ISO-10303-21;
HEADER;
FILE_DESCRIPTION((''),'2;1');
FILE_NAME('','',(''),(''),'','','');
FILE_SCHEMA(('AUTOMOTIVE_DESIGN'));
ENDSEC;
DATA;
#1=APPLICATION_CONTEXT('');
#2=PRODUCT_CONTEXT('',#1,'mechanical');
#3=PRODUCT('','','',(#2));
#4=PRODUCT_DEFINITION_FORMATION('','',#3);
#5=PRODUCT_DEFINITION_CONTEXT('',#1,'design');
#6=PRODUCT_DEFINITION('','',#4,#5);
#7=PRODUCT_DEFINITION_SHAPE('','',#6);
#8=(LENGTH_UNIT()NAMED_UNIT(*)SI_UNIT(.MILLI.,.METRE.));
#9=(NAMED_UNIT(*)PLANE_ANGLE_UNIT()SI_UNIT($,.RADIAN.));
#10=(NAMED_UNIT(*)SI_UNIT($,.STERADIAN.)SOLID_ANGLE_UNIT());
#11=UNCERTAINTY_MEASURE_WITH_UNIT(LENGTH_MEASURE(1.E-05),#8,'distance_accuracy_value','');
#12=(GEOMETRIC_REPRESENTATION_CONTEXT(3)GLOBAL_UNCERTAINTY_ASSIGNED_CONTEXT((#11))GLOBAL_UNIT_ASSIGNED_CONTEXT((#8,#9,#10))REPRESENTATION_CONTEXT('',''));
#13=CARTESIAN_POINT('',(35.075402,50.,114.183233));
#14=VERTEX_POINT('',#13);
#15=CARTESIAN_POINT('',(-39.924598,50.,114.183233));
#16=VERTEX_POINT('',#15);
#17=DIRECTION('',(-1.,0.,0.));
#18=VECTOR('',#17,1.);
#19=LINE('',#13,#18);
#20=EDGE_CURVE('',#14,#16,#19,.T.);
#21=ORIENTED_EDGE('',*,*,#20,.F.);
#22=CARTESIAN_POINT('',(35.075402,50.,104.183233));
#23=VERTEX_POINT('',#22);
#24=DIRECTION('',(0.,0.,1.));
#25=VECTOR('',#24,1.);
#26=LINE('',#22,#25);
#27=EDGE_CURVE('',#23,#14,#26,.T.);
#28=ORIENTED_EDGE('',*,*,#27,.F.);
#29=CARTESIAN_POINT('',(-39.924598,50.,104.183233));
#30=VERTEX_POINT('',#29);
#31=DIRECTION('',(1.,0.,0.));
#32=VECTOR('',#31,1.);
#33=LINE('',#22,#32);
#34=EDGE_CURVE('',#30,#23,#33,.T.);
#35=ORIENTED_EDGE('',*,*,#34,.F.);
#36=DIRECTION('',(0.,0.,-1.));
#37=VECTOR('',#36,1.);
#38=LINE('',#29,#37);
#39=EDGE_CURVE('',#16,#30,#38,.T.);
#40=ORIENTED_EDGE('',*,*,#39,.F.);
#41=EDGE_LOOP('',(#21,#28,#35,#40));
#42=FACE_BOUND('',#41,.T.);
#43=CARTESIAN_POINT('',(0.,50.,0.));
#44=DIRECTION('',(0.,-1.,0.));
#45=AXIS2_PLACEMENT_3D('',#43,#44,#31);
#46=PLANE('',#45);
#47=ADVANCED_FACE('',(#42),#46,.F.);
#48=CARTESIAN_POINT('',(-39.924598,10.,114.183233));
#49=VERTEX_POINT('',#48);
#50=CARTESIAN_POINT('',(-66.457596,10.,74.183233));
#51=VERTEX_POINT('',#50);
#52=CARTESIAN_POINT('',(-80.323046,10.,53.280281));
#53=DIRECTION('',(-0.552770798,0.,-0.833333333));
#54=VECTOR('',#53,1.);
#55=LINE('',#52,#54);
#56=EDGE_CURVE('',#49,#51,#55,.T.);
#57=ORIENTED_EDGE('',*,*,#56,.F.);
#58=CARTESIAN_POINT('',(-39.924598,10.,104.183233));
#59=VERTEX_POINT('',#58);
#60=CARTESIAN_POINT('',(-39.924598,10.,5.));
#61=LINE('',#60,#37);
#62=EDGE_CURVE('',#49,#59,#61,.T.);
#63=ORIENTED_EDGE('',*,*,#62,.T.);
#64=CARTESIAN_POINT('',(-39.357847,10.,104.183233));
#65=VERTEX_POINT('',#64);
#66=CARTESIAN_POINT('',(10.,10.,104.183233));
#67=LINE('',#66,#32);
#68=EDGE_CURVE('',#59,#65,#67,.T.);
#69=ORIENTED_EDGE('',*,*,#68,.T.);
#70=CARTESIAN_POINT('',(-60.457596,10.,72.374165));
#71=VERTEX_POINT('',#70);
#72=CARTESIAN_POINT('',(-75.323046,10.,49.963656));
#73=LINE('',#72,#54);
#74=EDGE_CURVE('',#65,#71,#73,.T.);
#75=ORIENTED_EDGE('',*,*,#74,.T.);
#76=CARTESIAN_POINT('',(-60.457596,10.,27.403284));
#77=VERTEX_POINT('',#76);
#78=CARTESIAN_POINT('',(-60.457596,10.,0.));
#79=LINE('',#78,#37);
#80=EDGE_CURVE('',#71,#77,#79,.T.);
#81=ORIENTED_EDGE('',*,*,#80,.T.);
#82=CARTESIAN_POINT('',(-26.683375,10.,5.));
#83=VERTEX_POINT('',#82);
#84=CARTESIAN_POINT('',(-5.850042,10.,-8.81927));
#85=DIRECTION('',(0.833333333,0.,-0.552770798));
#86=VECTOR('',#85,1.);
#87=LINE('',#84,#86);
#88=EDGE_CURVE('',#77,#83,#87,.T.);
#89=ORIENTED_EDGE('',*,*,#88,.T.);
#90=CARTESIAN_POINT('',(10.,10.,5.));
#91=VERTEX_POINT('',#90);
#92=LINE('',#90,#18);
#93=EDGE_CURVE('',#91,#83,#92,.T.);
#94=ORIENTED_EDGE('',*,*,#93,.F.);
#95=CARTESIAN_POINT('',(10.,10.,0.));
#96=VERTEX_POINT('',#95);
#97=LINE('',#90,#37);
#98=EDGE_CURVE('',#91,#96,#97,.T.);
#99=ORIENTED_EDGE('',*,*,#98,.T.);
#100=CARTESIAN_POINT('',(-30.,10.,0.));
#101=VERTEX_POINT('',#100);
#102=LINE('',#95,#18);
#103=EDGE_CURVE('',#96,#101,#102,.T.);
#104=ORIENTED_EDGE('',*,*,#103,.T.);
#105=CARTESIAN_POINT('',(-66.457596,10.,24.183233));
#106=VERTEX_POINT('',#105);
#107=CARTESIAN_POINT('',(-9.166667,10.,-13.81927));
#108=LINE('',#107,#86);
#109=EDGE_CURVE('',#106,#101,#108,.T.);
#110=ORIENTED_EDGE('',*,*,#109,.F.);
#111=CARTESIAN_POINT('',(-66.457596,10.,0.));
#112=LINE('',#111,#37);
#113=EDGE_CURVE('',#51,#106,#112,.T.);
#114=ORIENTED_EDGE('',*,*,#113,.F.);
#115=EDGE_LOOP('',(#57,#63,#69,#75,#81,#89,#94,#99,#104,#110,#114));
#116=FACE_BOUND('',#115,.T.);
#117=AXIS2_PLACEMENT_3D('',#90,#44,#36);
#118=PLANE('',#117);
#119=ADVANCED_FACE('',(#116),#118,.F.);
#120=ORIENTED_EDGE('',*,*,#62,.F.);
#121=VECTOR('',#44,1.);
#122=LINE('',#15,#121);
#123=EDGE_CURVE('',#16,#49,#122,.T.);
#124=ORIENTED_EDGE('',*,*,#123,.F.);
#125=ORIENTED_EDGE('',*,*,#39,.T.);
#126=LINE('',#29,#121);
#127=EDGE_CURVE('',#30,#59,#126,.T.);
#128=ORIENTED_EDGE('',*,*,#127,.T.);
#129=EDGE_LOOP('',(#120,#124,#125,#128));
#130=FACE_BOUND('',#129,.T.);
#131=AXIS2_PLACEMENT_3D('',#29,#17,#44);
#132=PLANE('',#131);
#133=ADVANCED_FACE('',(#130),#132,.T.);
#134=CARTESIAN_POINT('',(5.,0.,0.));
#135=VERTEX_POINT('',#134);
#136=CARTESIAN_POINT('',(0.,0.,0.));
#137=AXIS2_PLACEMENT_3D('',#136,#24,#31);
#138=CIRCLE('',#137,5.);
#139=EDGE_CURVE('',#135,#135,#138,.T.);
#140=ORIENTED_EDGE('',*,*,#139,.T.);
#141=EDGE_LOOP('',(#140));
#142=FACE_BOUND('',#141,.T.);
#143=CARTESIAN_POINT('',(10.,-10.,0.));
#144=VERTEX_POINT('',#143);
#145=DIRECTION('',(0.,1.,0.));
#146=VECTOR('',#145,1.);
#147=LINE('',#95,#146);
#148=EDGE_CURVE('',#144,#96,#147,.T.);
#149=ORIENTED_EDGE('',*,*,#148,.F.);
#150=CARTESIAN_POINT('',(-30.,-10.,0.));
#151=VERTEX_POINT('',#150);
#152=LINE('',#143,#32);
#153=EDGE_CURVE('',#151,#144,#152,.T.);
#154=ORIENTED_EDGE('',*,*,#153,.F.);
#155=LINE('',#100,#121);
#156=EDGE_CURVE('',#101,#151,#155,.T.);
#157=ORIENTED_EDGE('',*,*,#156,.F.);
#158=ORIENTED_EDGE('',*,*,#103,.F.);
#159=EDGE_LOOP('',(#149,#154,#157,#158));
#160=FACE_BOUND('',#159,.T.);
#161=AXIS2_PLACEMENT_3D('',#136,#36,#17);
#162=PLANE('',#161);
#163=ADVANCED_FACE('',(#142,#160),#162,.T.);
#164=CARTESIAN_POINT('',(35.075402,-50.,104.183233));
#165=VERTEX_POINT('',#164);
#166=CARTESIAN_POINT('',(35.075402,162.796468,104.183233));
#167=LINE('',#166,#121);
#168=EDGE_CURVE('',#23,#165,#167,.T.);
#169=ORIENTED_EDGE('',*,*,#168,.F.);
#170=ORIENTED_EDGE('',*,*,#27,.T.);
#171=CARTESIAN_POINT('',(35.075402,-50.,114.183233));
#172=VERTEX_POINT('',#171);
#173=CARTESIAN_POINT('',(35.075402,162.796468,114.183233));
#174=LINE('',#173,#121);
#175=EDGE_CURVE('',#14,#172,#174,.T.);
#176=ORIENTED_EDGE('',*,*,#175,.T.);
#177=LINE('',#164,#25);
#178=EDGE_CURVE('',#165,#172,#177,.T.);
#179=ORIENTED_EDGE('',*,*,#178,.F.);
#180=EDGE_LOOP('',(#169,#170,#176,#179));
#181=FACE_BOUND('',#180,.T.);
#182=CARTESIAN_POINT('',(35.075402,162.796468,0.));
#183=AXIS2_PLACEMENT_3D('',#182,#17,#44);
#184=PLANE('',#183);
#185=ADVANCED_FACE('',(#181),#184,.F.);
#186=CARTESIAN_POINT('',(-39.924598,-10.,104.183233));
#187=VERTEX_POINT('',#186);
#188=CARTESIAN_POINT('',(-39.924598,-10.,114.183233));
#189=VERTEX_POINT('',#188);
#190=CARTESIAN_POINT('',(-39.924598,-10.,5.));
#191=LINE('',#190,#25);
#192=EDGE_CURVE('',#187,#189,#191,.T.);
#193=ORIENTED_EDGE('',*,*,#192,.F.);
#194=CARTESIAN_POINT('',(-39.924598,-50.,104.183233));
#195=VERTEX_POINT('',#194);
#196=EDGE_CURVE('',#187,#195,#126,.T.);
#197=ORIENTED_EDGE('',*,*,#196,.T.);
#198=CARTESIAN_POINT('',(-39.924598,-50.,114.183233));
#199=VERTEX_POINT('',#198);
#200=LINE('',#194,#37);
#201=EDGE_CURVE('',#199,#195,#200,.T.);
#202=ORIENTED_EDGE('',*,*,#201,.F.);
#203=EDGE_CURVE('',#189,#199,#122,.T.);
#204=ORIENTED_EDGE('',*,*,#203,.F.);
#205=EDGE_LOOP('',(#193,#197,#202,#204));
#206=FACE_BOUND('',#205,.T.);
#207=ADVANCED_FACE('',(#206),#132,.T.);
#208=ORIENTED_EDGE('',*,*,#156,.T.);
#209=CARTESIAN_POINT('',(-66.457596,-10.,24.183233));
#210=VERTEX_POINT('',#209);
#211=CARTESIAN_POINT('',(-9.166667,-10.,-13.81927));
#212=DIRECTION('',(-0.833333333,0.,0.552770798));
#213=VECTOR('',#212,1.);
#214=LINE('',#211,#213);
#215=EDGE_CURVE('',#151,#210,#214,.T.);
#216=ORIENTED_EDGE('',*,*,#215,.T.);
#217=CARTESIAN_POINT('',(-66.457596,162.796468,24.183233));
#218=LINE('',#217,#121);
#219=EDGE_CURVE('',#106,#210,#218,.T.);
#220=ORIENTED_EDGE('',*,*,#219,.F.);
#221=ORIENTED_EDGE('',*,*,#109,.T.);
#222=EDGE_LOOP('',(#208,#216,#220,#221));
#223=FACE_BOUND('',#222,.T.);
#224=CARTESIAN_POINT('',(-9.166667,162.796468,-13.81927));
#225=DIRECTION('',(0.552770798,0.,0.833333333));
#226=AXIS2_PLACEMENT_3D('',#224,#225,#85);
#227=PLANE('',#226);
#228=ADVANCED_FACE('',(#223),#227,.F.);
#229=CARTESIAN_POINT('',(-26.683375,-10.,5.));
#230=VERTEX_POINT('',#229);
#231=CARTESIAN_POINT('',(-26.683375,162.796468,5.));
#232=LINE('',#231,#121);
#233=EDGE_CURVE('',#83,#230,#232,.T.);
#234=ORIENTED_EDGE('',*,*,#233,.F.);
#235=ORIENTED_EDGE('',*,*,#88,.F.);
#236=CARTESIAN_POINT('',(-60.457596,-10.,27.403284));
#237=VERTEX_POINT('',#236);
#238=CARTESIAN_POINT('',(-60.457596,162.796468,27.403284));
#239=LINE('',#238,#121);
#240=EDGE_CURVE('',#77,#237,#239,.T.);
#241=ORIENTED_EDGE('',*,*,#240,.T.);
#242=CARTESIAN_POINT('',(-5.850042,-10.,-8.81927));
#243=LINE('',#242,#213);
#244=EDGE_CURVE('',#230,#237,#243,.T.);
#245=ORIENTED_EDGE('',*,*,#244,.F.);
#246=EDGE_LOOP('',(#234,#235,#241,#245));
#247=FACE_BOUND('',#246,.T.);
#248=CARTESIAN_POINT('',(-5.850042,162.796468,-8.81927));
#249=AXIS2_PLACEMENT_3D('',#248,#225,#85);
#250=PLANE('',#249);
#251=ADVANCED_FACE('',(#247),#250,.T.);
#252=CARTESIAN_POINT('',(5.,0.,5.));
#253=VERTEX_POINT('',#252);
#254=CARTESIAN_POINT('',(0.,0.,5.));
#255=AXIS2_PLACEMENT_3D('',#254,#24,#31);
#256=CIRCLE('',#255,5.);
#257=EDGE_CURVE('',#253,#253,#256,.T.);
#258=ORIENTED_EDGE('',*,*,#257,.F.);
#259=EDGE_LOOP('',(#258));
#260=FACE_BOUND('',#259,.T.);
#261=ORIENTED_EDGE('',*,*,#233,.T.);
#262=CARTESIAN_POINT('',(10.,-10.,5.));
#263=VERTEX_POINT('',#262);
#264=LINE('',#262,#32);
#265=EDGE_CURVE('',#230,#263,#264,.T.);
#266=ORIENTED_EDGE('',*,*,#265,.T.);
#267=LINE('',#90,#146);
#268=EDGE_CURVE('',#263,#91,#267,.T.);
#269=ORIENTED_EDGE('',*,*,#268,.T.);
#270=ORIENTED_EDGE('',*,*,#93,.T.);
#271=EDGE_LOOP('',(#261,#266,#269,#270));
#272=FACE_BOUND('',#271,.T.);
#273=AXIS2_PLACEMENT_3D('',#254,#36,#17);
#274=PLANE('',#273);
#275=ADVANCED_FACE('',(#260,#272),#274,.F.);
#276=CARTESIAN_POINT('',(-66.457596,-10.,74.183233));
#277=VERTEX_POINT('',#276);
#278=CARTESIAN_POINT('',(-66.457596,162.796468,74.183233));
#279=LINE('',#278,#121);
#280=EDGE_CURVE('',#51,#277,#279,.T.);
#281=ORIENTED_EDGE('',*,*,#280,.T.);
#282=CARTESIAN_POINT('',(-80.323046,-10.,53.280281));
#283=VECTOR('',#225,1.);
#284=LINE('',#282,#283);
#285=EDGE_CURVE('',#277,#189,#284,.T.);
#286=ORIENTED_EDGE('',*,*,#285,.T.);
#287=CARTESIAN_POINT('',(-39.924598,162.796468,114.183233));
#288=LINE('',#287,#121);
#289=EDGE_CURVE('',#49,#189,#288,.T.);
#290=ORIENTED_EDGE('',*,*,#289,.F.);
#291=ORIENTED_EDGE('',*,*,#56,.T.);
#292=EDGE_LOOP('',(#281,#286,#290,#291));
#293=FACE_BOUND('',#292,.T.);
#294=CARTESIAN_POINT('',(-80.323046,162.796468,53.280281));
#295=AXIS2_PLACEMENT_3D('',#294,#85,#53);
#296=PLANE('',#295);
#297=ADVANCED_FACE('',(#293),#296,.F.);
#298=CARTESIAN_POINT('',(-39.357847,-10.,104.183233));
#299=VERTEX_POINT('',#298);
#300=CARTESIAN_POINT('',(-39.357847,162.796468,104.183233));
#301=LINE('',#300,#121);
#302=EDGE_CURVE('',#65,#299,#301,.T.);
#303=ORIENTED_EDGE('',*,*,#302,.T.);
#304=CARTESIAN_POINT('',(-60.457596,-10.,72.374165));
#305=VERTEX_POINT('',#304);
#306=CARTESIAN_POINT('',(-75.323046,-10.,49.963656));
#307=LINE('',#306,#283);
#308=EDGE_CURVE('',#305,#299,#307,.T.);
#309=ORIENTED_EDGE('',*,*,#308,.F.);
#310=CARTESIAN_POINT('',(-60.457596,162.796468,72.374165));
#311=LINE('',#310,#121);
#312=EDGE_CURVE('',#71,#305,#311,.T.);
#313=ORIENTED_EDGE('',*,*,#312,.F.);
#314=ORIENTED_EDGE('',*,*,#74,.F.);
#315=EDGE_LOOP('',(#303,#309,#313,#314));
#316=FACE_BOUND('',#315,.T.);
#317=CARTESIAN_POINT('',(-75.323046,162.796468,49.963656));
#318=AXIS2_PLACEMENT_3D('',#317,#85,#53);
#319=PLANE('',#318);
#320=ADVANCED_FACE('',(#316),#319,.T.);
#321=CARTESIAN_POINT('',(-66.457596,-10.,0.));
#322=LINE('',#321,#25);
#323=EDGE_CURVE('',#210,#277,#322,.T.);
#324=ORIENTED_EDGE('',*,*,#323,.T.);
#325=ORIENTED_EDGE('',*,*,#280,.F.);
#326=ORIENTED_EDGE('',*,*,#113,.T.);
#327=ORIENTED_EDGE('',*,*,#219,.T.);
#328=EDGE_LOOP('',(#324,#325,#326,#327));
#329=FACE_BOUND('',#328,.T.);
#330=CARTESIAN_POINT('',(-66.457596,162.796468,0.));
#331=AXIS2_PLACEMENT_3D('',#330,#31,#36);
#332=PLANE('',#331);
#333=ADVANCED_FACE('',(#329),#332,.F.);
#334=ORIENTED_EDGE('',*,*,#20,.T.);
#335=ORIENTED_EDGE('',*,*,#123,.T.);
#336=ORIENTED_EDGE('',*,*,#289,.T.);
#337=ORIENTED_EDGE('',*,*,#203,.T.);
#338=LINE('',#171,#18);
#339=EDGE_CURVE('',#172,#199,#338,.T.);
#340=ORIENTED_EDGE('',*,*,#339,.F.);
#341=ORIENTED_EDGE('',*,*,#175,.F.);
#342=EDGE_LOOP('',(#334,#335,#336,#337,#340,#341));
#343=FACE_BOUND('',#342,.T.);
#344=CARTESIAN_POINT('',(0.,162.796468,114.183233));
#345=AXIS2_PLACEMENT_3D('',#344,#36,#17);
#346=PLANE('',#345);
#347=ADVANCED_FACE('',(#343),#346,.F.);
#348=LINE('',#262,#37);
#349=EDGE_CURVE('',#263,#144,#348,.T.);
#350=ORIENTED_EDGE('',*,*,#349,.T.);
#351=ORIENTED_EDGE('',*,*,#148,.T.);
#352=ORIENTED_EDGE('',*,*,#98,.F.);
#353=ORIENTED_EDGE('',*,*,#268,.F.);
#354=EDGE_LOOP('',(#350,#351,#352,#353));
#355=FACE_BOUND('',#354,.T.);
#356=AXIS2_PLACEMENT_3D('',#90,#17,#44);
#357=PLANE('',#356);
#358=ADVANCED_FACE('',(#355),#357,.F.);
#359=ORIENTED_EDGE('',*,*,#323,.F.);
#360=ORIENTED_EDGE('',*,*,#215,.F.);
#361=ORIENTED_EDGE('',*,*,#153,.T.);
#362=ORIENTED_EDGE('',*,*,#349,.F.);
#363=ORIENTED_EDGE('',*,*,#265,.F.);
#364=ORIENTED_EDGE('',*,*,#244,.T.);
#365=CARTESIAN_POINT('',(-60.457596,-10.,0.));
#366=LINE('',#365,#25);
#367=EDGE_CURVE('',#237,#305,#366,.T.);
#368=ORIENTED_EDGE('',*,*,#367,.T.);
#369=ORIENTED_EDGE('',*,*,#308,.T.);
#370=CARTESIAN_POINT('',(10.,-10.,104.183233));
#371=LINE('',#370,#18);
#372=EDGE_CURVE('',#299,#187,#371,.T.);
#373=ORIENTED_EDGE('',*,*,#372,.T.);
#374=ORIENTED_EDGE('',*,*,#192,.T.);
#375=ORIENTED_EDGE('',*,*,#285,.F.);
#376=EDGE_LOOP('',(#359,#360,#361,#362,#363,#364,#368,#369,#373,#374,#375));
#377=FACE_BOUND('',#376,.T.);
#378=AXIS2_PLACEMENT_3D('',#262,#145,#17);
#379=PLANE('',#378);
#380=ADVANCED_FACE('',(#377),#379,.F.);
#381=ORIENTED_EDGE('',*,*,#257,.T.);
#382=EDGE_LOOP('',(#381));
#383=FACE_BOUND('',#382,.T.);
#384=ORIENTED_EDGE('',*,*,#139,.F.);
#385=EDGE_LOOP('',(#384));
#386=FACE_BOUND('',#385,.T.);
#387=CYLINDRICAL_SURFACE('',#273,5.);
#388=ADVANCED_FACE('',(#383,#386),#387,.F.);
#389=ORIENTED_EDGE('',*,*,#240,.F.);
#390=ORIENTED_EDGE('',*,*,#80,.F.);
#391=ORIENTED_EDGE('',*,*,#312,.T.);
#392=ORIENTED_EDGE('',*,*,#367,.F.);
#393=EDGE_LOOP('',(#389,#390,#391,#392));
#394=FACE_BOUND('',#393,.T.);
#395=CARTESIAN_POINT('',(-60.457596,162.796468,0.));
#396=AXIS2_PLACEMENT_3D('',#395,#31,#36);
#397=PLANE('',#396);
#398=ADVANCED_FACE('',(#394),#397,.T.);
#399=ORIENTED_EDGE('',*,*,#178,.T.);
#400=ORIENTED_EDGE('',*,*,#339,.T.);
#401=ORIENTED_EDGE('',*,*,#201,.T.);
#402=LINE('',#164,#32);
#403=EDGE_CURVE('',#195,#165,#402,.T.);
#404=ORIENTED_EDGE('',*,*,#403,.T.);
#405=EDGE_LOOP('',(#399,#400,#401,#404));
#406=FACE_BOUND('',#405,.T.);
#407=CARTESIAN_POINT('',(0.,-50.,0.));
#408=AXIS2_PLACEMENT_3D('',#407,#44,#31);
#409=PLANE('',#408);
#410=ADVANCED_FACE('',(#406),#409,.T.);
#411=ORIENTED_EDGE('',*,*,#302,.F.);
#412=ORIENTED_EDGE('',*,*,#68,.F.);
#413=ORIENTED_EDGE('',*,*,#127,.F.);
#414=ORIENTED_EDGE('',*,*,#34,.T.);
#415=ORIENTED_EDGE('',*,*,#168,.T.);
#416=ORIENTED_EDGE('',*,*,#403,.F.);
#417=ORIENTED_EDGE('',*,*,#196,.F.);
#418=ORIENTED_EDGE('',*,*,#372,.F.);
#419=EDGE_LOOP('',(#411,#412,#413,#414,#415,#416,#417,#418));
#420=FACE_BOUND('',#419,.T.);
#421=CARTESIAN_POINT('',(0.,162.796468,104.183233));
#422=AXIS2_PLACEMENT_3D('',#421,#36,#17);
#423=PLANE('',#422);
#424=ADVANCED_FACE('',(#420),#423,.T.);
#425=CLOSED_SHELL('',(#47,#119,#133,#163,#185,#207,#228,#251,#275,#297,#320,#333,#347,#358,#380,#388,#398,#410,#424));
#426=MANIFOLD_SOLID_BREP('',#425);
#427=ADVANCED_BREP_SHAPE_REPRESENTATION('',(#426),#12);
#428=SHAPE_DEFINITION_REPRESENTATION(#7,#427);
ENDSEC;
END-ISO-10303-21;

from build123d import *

# Parameters (mm, degrees)
SKETCH1_W                = 20
SKETCH1_H                = 20
SKETCH1_R                = 5
BOSS_EXTRUDE1_DEPTH      = 5
SKETCH2_W                = 5
SKETCH2_H                = 20
BOSS_EXTRUDE2_DEPTH      = 20
BOSS_EXTRUDE6_DEPTH      = 20
BOSS_EXTRUDE7_DEPTH      = 40
BOSS_EXTRUDE7_DEPTH_BACK = 60
SKETCH9_W                = 75
SKETCH9_H                = 10


with BuildPart() as part:
    # Sketch1 → Boss-Extrude1 (new body)
    with BuildSketch(Plane.XY):
        Rectangle(SKETCH1_W, SKETCH1_H)
        Circle(SKETCH1_R, mode=Mode.SUBTRACT)
    extrude(amount=BOSS_EXTRUDE1_DEPTH)

    # Sketch2 → Boss-Extrude2 (add)
    with BuildSketch(Plane.ZY.offset(10)):
        with Locations((2.5, 0)):
            Rectangle(SKETCH2_W, SKETCH2_H)
    extrude(amount=BOSS_EXTRUDE2_DEPTH)

    # Sketch8 → Boss-Extrude6 (add)
    with BuildSketch(Plane.XZ.offset(10)):
        Polygon((35.075402168, 114.183233441), (-39.924597832, 114.183233441), (-34.924597832, 110.86660865), (-39.357847412, 104.183233441), (35.075402168, 104.183233441), align=None)
        Polygon((-34.924597832, 110.86660865), (-39.924597832, 114.183233441), (-39.924597832, 104.183233441), (-39.357847412, 104.183233441), align=None)
        Polygon((-39.924597832, 114.183233441), (-66.457596155, 74.183233441), (-60.457596155, 74.183233441), (-60.457596155, 72.374165373), (-39.357847412, 104.183233441), (-39.924597832, 104.183233441), align=None)
        Polygon((-60.457596155, 74.183233441), (-66.457596155, 74.183233441), (-61.457596155, 70.86660865), (-60.457596155, 72.374165373), align=None)
        Polygon((-66.457596155, 74.183233441), (-66.457596155, 24.183233441), (-63.140971364, 29.183233441), (-60.457596155, 27.403283692), (-60.457596155, 72.374165373), (-61.457596155, 70.86660865), align=None)
        Polygon((-63.140971364, 29.183233441), (-66.457596155, 24.183233441), (-60.457596155, 24.183233441), (-60.457596155, 27.403283692), align=None)
        Polygon((-66.457596155, 24.183233441), (-30, 0), (-30, 5), (-26.68337521, 5), (-60.457596155, 27.403283692), (-60.457596155, 24.183233441), align=None)
    extrude(amount=-BOSS_EXTRUDE6_DEPTH)

    # Sketch9 → Boss-Extrude7 (add, two sides: drawn at the far end of the back side and taken through both)
    with BuildSketch(Plane.XZ.offset(10).offset(-BOSS_EXTRUDE7_DEPTH_BACK)):
        with Locations((-2.424597832, 109.183233441)):
            Rectangle(SKETCH9_W, SKETCH9_H)
    extrude(amount=BOSS_EXTRUDE7_DEPTH + BOSS_EXTRUDE7_DEPTH_BACK)


solid = part.part
